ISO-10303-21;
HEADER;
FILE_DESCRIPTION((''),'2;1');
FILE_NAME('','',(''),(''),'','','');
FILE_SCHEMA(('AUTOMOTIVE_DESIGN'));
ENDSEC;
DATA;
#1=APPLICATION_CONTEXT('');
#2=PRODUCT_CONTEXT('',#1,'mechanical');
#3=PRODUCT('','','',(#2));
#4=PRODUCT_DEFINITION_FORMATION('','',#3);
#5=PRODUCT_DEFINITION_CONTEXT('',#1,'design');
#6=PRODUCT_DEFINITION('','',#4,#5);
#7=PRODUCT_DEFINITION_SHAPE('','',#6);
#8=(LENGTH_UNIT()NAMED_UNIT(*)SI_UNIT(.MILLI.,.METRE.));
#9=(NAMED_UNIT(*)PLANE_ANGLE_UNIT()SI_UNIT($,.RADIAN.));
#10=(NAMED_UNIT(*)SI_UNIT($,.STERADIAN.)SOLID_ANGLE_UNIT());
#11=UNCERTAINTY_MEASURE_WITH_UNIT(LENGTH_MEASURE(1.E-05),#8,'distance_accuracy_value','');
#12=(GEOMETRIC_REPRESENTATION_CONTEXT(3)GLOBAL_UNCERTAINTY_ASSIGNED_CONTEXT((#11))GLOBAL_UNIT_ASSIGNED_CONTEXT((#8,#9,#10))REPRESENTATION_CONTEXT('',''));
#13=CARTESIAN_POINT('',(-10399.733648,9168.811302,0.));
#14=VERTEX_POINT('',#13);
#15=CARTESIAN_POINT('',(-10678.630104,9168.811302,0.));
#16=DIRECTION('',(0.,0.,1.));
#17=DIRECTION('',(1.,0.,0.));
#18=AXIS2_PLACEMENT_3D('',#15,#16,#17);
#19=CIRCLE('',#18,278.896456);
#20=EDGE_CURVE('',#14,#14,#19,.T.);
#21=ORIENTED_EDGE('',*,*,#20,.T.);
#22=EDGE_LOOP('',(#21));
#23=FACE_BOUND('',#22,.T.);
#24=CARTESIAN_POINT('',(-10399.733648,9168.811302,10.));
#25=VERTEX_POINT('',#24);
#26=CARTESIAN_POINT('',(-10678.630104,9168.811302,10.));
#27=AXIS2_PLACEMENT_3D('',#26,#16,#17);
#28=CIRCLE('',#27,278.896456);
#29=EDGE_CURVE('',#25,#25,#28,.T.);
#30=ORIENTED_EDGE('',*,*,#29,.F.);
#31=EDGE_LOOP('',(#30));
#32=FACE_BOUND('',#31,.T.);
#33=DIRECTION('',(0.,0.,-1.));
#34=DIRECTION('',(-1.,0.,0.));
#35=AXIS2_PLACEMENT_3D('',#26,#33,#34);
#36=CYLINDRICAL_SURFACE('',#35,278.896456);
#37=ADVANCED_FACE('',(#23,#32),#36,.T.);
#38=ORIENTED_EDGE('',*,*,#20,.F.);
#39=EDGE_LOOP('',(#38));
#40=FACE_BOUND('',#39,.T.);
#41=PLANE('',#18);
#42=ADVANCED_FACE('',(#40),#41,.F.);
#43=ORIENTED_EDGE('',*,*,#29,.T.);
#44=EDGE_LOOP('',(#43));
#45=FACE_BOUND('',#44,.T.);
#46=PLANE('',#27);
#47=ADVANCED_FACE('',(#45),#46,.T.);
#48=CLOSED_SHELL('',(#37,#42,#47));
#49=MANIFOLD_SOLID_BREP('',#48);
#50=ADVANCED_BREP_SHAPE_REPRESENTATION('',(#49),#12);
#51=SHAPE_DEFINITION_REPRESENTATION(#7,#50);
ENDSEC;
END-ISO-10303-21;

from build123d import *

# Parameters (mm, degrees)
SKETCH1_R           = 278.896456497
BOSS_EXTRUDE1_DEPTH = 10


with BuildPart() as part:
    # Sketch1 → Boss-Extrude1 (new body)
    with BuildSketch(Plane.XY):
        with Locations((-10678.630104293, 9168.811301952)):
            Circle(SKETCH1_R)
    extrude(amount=BOSS_EXTRUDE1_DEPTH)


solid = part.part
